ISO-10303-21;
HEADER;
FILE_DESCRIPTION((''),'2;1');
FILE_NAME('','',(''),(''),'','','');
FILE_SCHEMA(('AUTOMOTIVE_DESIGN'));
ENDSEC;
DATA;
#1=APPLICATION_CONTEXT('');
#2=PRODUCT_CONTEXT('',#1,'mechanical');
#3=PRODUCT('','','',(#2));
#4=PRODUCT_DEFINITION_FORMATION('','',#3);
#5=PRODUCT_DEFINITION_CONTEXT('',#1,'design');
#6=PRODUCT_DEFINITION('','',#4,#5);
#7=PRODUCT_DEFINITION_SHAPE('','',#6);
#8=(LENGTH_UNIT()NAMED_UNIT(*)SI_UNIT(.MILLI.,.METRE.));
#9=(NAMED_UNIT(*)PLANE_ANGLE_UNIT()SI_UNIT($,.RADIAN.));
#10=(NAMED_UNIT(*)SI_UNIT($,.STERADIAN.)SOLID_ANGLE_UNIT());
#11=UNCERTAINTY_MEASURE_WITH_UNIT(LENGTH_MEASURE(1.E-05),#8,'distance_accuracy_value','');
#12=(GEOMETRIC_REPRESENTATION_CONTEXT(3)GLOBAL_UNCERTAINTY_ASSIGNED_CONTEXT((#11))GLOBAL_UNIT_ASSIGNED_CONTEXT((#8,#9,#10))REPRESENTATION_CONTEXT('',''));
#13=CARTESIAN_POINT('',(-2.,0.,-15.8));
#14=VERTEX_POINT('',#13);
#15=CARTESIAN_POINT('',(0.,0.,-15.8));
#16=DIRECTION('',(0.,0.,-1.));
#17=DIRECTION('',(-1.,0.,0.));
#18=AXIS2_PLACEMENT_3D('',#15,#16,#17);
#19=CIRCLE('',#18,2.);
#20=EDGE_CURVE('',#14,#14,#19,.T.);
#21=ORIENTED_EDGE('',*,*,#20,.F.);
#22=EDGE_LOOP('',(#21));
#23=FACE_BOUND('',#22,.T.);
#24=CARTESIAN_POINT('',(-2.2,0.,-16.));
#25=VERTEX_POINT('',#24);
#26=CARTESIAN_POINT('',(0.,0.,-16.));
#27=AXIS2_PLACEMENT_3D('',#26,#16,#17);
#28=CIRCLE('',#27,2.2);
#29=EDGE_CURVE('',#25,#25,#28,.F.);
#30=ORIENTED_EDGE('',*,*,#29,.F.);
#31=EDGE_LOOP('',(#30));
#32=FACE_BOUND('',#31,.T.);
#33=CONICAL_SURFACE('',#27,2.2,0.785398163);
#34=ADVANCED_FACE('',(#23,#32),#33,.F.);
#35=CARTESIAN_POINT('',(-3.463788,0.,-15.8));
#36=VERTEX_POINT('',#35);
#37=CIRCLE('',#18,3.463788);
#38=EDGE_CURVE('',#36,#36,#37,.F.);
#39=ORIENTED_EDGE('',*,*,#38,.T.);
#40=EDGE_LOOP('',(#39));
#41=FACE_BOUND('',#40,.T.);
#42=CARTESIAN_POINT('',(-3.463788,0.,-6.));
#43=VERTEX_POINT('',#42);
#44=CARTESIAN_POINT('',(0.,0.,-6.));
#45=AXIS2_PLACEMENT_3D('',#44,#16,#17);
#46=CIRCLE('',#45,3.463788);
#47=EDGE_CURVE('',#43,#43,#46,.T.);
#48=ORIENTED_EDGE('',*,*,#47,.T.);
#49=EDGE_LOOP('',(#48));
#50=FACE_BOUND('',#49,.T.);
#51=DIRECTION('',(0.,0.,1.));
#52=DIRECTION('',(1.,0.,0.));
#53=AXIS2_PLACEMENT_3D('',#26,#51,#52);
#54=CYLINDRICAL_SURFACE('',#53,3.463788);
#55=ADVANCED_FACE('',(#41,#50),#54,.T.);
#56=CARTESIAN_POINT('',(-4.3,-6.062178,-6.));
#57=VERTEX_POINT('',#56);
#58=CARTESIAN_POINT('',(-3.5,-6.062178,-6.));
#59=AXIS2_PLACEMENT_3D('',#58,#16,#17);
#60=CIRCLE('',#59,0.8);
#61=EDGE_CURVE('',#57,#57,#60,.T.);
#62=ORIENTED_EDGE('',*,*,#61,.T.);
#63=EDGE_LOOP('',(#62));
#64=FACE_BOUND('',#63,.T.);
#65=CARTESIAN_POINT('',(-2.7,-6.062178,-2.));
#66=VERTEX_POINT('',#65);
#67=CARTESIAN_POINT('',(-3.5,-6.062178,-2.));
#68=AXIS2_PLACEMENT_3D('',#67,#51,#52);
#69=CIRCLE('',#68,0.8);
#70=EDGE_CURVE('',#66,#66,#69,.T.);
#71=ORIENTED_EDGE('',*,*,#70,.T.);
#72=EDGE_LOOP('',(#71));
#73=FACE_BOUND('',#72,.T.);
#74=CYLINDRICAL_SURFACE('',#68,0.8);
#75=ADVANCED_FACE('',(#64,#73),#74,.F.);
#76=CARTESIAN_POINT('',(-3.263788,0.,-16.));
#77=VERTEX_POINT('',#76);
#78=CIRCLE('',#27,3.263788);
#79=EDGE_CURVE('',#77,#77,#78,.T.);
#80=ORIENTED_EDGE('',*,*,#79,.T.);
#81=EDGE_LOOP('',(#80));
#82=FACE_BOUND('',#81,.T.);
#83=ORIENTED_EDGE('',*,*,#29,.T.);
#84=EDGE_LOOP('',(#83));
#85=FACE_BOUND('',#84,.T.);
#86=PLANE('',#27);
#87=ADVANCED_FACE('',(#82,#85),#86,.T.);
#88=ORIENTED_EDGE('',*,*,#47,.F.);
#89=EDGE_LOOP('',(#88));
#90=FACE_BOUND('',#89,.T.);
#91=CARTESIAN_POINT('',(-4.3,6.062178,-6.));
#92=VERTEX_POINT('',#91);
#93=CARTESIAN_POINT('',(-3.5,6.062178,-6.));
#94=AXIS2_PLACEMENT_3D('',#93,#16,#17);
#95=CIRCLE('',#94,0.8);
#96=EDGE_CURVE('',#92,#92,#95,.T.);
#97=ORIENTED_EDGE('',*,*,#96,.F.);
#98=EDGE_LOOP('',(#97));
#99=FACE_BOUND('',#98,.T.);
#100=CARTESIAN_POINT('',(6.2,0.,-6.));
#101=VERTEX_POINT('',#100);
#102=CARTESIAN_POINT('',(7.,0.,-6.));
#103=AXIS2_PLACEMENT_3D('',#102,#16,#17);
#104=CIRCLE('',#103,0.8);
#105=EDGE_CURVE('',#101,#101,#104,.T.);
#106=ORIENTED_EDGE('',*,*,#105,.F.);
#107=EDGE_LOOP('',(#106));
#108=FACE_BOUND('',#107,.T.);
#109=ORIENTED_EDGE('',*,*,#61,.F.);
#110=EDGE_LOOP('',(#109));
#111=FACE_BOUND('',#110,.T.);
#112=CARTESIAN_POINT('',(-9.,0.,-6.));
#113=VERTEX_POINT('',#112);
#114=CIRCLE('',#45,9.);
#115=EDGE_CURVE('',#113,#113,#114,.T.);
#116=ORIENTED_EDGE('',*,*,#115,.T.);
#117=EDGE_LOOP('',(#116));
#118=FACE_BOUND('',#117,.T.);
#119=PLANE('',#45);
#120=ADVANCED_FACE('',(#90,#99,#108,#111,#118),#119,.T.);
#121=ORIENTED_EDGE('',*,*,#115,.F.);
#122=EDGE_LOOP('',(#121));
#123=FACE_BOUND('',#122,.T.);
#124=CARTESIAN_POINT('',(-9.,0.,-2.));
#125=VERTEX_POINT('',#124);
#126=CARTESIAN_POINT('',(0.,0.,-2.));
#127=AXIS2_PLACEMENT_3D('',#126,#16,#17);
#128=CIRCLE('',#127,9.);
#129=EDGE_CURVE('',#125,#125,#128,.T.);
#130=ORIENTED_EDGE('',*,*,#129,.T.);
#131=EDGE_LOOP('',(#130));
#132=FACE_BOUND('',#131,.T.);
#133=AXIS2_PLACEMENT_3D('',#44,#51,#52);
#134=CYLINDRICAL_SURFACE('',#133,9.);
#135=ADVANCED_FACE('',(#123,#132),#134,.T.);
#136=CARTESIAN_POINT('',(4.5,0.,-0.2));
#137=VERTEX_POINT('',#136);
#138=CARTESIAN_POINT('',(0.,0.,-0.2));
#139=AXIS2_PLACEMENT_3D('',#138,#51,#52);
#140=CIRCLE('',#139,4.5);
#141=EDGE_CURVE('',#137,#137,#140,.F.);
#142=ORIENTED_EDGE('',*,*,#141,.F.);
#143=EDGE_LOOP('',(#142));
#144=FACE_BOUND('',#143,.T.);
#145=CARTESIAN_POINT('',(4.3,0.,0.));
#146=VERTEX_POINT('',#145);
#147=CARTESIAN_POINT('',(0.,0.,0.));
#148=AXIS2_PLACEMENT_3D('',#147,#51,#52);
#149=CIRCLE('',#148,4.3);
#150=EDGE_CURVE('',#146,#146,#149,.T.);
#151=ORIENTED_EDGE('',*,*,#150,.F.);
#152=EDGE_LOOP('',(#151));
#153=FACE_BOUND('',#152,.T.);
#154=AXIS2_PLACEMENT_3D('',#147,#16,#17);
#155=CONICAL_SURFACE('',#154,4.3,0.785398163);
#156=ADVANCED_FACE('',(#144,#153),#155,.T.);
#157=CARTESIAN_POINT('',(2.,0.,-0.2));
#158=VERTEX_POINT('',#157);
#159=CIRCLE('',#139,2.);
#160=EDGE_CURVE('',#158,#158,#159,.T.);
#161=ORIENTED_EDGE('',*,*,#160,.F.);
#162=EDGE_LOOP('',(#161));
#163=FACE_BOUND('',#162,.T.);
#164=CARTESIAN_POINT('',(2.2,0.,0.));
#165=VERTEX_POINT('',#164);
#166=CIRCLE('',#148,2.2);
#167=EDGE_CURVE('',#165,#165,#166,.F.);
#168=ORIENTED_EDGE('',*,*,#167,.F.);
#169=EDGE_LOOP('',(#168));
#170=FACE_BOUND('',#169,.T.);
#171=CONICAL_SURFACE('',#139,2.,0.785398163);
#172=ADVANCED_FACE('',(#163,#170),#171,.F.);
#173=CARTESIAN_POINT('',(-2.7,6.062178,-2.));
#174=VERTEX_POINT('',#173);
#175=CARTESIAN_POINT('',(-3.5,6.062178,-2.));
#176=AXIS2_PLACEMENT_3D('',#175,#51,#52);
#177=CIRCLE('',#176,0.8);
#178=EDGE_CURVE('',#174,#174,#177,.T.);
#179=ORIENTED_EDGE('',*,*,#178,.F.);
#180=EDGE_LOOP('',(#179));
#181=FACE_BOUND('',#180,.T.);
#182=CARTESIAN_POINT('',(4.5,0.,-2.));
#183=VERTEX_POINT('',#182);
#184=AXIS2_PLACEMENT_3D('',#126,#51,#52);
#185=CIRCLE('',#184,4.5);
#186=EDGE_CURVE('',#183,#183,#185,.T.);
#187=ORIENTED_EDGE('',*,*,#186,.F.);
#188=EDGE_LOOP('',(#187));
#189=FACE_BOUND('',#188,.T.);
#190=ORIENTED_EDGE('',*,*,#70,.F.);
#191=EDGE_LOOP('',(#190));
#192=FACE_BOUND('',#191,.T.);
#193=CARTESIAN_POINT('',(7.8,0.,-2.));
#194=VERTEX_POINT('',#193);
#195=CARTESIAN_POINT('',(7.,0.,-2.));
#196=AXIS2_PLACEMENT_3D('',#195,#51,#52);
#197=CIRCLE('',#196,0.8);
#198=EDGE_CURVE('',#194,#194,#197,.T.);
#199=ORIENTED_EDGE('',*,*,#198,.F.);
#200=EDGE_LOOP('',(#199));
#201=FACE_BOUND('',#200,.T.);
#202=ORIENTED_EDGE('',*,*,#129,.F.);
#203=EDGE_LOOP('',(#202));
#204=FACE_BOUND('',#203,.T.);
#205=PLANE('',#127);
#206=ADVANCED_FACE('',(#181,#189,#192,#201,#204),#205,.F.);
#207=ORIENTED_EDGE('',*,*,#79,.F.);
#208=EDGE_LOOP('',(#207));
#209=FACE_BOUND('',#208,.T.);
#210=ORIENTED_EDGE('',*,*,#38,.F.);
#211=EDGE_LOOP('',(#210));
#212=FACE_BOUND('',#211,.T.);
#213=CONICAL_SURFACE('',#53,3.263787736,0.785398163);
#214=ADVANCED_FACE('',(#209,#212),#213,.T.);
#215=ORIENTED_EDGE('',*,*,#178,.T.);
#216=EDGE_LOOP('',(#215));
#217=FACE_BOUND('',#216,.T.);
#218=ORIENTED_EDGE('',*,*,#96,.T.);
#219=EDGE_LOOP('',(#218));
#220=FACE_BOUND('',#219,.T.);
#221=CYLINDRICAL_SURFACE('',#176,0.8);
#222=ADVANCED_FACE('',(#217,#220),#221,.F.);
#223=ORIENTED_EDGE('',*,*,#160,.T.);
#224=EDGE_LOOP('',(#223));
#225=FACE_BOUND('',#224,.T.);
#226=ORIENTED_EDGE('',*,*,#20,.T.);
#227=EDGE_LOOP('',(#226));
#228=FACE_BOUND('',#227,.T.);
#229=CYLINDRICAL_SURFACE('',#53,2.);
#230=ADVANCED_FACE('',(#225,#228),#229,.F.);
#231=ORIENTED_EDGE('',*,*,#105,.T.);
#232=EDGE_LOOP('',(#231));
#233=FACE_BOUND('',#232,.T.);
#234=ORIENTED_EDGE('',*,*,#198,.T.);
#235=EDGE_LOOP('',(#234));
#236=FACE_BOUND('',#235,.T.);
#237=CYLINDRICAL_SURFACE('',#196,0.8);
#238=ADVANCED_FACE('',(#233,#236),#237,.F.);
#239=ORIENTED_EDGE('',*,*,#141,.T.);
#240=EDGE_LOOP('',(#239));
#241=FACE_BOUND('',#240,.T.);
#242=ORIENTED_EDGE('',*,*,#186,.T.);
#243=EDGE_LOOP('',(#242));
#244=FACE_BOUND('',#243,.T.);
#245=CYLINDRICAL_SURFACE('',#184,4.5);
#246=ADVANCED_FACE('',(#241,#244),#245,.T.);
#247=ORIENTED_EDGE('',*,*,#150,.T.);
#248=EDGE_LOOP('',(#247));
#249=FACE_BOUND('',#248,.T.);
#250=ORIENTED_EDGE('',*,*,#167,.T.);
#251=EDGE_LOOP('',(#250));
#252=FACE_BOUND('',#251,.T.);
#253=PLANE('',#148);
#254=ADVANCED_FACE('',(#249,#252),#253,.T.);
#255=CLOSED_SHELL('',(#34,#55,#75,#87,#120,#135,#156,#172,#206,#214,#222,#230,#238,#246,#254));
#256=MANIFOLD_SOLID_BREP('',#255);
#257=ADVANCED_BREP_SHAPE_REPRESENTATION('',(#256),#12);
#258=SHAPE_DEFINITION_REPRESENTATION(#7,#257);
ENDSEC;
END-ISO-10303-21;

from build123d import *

# Parameters (mm, degrees)
SKETCH1_R             = 4.5
BOSS_EXTRUDE1_DEPTH   = 2
SKETCH2_R             = 9
BOSS_EXTRUDE2_DEPTH   = 4
SKETCH3_R             = 3.463787736
BOSS_EXTRUDE3_DEPTH   = 10
M2X0_4_TAPPED_HOLE1_D = 1.6
SKETCH7_R             = 2
CUT_EXTRUDE3_DEPTH    = 17
CHAMFER1_SIZE         = 0.2


with BuildPart() as part:
    # Sketch1 → Boss-Extrude1 (new body)
    with BuildSketch(Plane.XY):
        Circle(SKETCH1_R)
    extrude(amount=-BOSS_EXTRUDE1_DEPTH)

    # Sketch2 → Boss-Extrude2 (add)
    with BuildSketch(Plane(origin=(0, 0, -2), x_dir=(-1, 0, 0), z_dir=(0, 0, -1))):
        Circle(SKETCH2_R)
    extrude(amount=BOSS_EXTRUDE2_DEPTH)

    # Sketch3 → Boss-Extrude3 (add)
    with BuildSketch(Plane(origin=(0, 0, -6), x_dir=(-1, 0, 0), z_dir=(0, 0, -1))):
        Circle(SKETCH3_R)
    extrude(amount=BOSS_EXTRUDE3_DEPTH)

    # M2x0.4 Tapped Hole1 (through all)
    with Locations(Plane.XY.offset(-2)):
        with Locations((-3.5, 6.062177826), (-3.5, -6.062177826), (7, 0)):
            Hole(M2X0_4_TAPPED_HOLE1_D / 2)

    # Sketch7 → Cut-Extrude3 (cut, through all)
    with BuildSketch(Plane.XY):
        Circle(SKETCH7_R)
    extrude(amount=-CUT_EXTRUDE3_DEPTH, mode=Mode.SUBTRACT)

    # Chamfer1
    chamfer1_edges = [part.edges().sort_by_distance(p)[0] for p in [
        (3.463787736, 0, -16),
        (-4.5, 0, 0),
        (-2, 0, -16),
        (-2, 0, 0),
    ]]
    chamfer(chamfer1_edges, length=CHAMFER1_SIZE)


solid = part.part
